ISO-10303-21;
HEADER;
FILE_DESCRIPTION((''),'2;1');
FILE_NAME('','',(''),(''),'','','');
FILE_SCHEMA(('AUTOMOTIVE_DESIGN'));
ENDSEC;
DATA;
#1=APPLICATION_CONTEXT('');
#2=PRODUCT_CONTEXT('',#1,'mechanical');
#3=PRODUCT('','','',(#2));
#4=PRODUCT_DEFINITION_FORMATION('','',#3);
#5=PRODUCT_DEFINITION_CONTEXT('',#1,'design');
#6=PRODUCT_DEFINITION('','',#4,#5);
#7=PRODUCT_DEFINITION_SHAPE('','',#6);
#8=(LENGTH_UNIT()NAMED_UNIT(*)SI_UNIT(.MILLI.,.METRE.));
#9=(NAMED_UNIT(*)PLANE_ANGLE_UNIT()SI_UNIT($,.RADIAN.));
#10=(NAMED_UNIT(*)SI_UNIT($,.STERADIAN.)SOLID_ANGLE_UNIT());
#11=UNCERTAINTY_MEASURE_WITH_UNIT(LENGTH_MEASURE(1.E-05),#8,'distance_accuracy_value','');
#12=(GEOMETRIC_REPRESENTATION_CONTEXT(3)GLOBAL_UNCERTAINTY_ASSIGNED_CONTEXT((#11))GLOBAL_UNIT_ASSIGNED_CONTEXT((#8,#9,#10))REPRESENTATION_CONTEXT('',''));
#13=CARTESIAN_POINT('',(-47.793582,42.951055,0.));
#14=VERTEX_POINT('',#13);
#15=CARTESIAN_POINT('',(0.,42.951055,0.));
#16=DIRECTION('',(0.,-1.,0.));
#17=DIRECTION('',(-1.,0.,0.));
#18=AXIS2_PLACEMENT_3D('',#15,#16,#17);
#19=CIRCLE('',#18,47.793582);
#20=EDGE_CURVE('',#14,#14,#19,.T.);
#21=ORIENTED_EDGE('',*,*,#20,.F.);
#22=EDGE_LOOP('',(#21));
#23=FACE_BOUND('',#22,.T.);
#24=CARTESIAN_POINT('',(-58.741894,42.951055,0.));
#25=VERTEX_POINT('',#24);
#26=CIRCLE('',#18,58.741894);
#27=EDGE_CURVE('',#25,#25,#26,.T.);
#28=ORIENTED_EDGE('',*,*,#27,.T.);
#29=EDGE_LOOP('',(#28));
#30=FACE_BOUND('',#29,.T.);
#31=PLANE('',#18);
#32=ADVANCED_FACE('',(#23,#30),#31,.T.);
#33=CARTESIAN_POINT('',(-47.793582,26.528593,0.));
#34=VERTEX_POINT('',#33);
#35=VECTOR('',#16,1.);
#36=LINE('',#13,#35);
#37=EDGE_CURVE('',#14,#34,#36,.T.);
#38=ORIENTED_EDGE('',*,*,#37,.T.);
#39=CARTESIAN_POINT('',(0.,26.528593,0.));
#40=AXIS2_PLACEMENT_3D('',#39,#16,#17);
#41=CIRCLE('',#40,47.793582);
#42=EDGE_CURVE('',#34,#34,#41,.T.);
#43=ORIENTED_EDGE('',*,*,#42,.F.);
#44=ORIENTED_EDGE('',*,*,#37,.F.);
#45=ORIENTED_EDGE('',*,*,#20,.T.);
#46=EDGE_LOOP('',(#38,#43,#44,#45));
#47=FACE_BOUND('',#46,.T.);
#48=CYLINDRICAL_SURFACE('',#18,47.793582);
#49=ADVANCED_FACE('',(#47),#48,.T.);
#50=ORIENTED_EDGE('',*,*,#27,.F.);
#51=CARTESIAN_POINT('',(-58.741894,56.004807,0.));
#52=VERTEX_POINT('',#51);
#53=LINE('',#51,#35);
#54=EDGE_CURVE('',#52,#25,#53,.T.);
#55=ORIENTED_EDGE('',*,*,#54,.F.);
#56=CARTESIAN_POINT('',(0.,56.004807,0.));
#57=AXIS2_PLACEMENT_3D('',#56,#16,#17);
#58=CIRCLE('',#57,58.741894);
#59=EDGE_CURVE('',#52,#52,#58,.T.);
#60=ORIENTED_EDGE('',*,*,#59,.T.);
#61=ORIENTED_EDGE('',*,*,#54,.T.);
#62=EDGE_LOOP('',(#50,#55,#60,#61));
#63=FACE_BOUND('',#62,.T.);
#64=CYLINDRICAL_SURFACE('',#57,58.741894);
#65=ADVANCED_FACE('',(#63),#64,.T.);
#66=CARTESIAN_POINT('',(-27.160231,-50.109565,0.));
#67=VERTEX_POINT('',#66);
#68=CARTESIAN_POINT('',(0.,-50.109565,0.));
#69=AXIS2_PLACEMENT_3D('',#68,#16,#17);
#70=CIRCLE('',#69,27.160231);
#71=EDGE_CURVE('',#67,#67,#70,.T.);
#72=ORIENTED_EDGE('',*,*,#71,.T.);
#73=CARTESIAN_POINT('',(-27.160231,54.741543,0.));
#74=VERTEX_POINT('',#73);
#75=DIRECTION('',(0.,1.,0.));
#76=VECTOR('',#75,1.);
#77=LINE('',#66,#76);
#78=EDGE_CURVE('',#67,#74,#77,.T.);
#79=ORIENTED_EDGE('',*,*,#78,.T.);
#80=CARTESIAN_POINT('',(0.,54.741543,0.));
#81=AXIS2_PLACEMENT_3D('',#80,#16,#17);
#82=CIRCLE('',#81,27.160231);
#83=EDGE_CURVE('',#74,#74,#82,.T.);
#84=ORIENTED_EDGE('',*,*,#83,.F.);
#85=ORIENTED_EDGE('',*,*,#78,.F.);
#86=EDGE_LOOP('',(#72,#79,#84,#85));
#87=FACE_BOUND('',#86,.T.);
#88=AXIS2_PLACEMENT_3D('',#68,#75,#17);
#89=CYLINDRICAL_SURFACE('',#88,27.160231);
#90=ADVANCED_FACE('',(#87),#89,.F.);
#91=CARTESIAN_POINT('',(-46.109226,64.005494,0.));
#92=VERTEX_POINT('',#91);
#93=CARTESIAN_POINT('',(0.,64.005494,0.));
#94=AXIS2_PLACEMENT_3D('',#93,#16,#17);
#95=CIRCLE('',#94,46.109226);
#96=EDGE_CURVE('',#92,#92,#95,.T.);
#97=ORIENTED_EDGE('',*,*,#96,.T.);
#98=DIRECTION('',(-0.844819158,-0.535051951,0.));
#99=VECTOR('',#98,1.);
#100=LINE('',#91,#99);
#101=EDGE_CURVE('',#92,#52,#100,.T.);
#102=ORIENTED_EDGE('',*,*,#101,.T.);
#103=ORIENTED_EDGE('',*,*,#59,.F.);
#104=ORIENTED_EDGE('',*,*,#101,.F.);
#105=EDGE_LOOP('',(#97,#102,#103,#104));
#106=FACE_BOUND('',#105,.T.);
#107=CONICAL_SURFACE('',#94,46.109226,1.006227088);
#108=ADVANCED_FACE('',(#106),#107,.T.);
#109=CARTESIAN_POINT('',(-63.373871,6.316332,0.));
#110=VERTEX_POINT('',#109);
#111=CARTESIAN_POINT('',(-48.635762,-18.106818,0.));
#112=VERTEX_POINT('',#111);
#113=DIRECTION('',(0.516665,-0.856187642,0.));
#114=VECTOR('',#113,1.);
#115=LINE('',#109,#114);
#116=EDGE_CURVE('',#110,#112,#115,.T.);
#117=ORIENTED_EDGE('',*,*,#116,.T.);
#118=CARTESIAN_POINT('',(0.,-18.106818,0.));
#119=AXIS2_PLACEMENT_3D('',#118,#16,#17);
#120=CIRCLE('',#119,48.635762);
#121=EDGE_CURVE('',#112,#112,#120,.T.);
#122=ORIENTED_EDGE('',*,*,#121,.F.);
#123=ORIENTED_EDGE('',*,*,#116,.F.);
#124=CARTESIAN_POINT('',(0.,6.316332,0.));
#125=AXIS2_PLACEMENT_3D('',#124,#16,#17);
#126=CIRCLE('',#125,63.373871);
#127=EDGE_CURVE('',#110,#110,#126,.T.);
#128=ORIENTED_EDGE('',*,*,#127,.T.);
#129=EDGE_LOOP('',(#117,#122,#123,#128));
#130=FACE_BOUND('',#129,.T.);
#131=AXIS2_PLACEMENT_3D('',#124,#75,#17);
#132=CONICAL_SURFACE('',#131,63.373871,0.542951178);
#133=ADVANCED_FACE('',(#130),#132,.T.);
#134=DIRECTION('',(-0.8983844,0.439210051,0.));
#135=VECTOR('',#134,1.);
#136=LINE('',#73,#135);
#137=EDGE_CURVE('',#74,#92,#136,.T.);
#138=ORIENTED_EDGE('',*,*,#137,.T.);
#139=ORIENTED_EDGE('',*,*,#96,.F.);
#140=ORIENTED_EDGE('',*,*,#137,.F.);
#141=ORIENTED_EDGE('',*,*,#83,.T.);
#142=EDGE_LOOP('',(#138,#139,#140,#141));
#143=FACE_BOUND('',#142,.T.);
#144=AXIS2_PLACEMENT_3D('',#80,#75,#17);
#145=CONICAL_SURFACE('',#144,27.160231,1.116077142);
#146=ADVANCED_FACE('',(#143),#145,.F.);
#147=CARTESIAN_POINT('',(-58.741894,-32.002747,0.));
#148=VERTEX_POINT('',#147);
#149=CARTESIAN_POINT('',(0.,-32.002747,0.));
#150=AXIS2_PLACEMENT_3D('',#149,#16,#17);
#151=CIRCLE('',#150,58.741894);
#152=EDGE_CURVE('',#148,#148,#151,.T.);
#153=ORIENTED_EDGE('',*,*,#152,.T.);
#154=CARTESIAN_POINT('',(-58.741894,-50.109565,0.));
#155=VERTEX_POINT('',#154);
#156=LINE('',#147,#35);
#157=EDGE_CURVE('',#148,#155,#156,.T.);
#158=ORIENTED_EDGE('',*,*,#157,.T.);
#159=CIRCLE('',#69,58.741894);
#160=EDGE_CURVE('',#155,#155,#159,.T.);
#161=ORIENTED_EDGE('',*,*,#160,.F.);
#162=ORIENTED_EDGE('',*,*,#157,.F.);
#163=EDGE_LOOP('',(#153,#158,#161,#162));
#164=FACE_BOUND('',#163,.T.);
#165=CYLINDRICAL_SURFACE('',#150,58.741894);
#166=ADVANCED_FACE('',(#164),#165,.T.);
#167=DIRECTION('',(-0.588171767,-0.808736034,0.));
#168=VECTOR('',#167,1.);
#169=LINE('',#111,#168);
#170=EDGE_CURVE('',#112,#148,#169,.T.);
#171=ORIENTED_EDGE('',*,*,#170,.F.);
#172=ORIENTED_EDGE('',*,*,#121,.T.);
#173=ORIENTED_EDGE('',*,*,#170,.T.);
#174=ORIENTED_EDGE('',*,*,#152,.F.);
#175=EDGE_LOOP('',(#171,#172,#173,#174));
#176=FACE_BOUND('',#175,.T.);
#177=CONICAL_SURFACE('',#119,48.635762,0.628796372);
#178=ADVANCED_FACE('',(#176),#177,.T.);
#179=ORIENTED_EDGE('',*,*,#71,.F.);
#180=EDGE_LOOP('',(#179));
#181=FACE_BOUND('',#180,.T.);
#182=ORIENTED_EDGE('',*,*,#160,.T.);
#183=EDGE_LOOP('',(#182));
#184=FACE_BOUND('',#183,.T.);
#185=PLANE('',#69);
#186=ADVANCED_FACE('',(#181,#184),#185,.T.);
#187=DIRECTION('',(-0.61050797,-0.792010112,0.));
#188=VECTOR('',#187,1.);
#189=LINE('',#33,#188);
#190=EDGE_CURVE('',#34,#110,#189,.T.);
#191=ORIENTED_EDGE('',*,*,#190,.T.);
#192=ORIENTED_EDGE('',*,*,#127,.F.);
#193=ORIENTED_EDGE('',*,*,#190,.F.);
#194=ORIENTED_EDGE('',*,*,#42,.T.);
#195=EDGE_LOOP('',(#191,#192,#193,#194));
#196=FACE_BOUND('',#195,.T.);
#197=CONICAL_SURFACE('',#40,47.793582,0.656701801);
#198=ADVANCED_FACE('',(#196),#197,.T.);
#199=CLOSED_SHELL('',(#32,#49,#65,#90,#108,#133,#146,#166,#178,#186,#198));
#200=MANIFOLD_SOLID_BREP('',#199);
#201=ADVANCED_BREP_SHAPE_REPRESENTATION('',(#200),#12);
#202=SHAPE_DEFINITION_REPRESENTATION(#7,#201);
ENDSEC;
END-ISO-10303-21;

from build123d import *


with BuildPart() as f1:
    # F0 (on Top) → F1 (revolve)
    with BuildSketch(Plane.XY):
        Polygon((-27.160231, -50.109565), (-27.160231, 54.741543), (-46.109226, 64.005494), (-58.741894, 56.004807), (-58.741894, 42.951055), (-47.793582, 42.951055), (-47.793582, 26.528593), (-63.373871, 6.316332), (-48.635762, -18.106818), (-58.741894, -32.002747), (-58.741894, -50.109565), align=None)
    revolve(axis=Axis((0, 4.842522, 0), (0, -1, 0)))


solid = f1.part
